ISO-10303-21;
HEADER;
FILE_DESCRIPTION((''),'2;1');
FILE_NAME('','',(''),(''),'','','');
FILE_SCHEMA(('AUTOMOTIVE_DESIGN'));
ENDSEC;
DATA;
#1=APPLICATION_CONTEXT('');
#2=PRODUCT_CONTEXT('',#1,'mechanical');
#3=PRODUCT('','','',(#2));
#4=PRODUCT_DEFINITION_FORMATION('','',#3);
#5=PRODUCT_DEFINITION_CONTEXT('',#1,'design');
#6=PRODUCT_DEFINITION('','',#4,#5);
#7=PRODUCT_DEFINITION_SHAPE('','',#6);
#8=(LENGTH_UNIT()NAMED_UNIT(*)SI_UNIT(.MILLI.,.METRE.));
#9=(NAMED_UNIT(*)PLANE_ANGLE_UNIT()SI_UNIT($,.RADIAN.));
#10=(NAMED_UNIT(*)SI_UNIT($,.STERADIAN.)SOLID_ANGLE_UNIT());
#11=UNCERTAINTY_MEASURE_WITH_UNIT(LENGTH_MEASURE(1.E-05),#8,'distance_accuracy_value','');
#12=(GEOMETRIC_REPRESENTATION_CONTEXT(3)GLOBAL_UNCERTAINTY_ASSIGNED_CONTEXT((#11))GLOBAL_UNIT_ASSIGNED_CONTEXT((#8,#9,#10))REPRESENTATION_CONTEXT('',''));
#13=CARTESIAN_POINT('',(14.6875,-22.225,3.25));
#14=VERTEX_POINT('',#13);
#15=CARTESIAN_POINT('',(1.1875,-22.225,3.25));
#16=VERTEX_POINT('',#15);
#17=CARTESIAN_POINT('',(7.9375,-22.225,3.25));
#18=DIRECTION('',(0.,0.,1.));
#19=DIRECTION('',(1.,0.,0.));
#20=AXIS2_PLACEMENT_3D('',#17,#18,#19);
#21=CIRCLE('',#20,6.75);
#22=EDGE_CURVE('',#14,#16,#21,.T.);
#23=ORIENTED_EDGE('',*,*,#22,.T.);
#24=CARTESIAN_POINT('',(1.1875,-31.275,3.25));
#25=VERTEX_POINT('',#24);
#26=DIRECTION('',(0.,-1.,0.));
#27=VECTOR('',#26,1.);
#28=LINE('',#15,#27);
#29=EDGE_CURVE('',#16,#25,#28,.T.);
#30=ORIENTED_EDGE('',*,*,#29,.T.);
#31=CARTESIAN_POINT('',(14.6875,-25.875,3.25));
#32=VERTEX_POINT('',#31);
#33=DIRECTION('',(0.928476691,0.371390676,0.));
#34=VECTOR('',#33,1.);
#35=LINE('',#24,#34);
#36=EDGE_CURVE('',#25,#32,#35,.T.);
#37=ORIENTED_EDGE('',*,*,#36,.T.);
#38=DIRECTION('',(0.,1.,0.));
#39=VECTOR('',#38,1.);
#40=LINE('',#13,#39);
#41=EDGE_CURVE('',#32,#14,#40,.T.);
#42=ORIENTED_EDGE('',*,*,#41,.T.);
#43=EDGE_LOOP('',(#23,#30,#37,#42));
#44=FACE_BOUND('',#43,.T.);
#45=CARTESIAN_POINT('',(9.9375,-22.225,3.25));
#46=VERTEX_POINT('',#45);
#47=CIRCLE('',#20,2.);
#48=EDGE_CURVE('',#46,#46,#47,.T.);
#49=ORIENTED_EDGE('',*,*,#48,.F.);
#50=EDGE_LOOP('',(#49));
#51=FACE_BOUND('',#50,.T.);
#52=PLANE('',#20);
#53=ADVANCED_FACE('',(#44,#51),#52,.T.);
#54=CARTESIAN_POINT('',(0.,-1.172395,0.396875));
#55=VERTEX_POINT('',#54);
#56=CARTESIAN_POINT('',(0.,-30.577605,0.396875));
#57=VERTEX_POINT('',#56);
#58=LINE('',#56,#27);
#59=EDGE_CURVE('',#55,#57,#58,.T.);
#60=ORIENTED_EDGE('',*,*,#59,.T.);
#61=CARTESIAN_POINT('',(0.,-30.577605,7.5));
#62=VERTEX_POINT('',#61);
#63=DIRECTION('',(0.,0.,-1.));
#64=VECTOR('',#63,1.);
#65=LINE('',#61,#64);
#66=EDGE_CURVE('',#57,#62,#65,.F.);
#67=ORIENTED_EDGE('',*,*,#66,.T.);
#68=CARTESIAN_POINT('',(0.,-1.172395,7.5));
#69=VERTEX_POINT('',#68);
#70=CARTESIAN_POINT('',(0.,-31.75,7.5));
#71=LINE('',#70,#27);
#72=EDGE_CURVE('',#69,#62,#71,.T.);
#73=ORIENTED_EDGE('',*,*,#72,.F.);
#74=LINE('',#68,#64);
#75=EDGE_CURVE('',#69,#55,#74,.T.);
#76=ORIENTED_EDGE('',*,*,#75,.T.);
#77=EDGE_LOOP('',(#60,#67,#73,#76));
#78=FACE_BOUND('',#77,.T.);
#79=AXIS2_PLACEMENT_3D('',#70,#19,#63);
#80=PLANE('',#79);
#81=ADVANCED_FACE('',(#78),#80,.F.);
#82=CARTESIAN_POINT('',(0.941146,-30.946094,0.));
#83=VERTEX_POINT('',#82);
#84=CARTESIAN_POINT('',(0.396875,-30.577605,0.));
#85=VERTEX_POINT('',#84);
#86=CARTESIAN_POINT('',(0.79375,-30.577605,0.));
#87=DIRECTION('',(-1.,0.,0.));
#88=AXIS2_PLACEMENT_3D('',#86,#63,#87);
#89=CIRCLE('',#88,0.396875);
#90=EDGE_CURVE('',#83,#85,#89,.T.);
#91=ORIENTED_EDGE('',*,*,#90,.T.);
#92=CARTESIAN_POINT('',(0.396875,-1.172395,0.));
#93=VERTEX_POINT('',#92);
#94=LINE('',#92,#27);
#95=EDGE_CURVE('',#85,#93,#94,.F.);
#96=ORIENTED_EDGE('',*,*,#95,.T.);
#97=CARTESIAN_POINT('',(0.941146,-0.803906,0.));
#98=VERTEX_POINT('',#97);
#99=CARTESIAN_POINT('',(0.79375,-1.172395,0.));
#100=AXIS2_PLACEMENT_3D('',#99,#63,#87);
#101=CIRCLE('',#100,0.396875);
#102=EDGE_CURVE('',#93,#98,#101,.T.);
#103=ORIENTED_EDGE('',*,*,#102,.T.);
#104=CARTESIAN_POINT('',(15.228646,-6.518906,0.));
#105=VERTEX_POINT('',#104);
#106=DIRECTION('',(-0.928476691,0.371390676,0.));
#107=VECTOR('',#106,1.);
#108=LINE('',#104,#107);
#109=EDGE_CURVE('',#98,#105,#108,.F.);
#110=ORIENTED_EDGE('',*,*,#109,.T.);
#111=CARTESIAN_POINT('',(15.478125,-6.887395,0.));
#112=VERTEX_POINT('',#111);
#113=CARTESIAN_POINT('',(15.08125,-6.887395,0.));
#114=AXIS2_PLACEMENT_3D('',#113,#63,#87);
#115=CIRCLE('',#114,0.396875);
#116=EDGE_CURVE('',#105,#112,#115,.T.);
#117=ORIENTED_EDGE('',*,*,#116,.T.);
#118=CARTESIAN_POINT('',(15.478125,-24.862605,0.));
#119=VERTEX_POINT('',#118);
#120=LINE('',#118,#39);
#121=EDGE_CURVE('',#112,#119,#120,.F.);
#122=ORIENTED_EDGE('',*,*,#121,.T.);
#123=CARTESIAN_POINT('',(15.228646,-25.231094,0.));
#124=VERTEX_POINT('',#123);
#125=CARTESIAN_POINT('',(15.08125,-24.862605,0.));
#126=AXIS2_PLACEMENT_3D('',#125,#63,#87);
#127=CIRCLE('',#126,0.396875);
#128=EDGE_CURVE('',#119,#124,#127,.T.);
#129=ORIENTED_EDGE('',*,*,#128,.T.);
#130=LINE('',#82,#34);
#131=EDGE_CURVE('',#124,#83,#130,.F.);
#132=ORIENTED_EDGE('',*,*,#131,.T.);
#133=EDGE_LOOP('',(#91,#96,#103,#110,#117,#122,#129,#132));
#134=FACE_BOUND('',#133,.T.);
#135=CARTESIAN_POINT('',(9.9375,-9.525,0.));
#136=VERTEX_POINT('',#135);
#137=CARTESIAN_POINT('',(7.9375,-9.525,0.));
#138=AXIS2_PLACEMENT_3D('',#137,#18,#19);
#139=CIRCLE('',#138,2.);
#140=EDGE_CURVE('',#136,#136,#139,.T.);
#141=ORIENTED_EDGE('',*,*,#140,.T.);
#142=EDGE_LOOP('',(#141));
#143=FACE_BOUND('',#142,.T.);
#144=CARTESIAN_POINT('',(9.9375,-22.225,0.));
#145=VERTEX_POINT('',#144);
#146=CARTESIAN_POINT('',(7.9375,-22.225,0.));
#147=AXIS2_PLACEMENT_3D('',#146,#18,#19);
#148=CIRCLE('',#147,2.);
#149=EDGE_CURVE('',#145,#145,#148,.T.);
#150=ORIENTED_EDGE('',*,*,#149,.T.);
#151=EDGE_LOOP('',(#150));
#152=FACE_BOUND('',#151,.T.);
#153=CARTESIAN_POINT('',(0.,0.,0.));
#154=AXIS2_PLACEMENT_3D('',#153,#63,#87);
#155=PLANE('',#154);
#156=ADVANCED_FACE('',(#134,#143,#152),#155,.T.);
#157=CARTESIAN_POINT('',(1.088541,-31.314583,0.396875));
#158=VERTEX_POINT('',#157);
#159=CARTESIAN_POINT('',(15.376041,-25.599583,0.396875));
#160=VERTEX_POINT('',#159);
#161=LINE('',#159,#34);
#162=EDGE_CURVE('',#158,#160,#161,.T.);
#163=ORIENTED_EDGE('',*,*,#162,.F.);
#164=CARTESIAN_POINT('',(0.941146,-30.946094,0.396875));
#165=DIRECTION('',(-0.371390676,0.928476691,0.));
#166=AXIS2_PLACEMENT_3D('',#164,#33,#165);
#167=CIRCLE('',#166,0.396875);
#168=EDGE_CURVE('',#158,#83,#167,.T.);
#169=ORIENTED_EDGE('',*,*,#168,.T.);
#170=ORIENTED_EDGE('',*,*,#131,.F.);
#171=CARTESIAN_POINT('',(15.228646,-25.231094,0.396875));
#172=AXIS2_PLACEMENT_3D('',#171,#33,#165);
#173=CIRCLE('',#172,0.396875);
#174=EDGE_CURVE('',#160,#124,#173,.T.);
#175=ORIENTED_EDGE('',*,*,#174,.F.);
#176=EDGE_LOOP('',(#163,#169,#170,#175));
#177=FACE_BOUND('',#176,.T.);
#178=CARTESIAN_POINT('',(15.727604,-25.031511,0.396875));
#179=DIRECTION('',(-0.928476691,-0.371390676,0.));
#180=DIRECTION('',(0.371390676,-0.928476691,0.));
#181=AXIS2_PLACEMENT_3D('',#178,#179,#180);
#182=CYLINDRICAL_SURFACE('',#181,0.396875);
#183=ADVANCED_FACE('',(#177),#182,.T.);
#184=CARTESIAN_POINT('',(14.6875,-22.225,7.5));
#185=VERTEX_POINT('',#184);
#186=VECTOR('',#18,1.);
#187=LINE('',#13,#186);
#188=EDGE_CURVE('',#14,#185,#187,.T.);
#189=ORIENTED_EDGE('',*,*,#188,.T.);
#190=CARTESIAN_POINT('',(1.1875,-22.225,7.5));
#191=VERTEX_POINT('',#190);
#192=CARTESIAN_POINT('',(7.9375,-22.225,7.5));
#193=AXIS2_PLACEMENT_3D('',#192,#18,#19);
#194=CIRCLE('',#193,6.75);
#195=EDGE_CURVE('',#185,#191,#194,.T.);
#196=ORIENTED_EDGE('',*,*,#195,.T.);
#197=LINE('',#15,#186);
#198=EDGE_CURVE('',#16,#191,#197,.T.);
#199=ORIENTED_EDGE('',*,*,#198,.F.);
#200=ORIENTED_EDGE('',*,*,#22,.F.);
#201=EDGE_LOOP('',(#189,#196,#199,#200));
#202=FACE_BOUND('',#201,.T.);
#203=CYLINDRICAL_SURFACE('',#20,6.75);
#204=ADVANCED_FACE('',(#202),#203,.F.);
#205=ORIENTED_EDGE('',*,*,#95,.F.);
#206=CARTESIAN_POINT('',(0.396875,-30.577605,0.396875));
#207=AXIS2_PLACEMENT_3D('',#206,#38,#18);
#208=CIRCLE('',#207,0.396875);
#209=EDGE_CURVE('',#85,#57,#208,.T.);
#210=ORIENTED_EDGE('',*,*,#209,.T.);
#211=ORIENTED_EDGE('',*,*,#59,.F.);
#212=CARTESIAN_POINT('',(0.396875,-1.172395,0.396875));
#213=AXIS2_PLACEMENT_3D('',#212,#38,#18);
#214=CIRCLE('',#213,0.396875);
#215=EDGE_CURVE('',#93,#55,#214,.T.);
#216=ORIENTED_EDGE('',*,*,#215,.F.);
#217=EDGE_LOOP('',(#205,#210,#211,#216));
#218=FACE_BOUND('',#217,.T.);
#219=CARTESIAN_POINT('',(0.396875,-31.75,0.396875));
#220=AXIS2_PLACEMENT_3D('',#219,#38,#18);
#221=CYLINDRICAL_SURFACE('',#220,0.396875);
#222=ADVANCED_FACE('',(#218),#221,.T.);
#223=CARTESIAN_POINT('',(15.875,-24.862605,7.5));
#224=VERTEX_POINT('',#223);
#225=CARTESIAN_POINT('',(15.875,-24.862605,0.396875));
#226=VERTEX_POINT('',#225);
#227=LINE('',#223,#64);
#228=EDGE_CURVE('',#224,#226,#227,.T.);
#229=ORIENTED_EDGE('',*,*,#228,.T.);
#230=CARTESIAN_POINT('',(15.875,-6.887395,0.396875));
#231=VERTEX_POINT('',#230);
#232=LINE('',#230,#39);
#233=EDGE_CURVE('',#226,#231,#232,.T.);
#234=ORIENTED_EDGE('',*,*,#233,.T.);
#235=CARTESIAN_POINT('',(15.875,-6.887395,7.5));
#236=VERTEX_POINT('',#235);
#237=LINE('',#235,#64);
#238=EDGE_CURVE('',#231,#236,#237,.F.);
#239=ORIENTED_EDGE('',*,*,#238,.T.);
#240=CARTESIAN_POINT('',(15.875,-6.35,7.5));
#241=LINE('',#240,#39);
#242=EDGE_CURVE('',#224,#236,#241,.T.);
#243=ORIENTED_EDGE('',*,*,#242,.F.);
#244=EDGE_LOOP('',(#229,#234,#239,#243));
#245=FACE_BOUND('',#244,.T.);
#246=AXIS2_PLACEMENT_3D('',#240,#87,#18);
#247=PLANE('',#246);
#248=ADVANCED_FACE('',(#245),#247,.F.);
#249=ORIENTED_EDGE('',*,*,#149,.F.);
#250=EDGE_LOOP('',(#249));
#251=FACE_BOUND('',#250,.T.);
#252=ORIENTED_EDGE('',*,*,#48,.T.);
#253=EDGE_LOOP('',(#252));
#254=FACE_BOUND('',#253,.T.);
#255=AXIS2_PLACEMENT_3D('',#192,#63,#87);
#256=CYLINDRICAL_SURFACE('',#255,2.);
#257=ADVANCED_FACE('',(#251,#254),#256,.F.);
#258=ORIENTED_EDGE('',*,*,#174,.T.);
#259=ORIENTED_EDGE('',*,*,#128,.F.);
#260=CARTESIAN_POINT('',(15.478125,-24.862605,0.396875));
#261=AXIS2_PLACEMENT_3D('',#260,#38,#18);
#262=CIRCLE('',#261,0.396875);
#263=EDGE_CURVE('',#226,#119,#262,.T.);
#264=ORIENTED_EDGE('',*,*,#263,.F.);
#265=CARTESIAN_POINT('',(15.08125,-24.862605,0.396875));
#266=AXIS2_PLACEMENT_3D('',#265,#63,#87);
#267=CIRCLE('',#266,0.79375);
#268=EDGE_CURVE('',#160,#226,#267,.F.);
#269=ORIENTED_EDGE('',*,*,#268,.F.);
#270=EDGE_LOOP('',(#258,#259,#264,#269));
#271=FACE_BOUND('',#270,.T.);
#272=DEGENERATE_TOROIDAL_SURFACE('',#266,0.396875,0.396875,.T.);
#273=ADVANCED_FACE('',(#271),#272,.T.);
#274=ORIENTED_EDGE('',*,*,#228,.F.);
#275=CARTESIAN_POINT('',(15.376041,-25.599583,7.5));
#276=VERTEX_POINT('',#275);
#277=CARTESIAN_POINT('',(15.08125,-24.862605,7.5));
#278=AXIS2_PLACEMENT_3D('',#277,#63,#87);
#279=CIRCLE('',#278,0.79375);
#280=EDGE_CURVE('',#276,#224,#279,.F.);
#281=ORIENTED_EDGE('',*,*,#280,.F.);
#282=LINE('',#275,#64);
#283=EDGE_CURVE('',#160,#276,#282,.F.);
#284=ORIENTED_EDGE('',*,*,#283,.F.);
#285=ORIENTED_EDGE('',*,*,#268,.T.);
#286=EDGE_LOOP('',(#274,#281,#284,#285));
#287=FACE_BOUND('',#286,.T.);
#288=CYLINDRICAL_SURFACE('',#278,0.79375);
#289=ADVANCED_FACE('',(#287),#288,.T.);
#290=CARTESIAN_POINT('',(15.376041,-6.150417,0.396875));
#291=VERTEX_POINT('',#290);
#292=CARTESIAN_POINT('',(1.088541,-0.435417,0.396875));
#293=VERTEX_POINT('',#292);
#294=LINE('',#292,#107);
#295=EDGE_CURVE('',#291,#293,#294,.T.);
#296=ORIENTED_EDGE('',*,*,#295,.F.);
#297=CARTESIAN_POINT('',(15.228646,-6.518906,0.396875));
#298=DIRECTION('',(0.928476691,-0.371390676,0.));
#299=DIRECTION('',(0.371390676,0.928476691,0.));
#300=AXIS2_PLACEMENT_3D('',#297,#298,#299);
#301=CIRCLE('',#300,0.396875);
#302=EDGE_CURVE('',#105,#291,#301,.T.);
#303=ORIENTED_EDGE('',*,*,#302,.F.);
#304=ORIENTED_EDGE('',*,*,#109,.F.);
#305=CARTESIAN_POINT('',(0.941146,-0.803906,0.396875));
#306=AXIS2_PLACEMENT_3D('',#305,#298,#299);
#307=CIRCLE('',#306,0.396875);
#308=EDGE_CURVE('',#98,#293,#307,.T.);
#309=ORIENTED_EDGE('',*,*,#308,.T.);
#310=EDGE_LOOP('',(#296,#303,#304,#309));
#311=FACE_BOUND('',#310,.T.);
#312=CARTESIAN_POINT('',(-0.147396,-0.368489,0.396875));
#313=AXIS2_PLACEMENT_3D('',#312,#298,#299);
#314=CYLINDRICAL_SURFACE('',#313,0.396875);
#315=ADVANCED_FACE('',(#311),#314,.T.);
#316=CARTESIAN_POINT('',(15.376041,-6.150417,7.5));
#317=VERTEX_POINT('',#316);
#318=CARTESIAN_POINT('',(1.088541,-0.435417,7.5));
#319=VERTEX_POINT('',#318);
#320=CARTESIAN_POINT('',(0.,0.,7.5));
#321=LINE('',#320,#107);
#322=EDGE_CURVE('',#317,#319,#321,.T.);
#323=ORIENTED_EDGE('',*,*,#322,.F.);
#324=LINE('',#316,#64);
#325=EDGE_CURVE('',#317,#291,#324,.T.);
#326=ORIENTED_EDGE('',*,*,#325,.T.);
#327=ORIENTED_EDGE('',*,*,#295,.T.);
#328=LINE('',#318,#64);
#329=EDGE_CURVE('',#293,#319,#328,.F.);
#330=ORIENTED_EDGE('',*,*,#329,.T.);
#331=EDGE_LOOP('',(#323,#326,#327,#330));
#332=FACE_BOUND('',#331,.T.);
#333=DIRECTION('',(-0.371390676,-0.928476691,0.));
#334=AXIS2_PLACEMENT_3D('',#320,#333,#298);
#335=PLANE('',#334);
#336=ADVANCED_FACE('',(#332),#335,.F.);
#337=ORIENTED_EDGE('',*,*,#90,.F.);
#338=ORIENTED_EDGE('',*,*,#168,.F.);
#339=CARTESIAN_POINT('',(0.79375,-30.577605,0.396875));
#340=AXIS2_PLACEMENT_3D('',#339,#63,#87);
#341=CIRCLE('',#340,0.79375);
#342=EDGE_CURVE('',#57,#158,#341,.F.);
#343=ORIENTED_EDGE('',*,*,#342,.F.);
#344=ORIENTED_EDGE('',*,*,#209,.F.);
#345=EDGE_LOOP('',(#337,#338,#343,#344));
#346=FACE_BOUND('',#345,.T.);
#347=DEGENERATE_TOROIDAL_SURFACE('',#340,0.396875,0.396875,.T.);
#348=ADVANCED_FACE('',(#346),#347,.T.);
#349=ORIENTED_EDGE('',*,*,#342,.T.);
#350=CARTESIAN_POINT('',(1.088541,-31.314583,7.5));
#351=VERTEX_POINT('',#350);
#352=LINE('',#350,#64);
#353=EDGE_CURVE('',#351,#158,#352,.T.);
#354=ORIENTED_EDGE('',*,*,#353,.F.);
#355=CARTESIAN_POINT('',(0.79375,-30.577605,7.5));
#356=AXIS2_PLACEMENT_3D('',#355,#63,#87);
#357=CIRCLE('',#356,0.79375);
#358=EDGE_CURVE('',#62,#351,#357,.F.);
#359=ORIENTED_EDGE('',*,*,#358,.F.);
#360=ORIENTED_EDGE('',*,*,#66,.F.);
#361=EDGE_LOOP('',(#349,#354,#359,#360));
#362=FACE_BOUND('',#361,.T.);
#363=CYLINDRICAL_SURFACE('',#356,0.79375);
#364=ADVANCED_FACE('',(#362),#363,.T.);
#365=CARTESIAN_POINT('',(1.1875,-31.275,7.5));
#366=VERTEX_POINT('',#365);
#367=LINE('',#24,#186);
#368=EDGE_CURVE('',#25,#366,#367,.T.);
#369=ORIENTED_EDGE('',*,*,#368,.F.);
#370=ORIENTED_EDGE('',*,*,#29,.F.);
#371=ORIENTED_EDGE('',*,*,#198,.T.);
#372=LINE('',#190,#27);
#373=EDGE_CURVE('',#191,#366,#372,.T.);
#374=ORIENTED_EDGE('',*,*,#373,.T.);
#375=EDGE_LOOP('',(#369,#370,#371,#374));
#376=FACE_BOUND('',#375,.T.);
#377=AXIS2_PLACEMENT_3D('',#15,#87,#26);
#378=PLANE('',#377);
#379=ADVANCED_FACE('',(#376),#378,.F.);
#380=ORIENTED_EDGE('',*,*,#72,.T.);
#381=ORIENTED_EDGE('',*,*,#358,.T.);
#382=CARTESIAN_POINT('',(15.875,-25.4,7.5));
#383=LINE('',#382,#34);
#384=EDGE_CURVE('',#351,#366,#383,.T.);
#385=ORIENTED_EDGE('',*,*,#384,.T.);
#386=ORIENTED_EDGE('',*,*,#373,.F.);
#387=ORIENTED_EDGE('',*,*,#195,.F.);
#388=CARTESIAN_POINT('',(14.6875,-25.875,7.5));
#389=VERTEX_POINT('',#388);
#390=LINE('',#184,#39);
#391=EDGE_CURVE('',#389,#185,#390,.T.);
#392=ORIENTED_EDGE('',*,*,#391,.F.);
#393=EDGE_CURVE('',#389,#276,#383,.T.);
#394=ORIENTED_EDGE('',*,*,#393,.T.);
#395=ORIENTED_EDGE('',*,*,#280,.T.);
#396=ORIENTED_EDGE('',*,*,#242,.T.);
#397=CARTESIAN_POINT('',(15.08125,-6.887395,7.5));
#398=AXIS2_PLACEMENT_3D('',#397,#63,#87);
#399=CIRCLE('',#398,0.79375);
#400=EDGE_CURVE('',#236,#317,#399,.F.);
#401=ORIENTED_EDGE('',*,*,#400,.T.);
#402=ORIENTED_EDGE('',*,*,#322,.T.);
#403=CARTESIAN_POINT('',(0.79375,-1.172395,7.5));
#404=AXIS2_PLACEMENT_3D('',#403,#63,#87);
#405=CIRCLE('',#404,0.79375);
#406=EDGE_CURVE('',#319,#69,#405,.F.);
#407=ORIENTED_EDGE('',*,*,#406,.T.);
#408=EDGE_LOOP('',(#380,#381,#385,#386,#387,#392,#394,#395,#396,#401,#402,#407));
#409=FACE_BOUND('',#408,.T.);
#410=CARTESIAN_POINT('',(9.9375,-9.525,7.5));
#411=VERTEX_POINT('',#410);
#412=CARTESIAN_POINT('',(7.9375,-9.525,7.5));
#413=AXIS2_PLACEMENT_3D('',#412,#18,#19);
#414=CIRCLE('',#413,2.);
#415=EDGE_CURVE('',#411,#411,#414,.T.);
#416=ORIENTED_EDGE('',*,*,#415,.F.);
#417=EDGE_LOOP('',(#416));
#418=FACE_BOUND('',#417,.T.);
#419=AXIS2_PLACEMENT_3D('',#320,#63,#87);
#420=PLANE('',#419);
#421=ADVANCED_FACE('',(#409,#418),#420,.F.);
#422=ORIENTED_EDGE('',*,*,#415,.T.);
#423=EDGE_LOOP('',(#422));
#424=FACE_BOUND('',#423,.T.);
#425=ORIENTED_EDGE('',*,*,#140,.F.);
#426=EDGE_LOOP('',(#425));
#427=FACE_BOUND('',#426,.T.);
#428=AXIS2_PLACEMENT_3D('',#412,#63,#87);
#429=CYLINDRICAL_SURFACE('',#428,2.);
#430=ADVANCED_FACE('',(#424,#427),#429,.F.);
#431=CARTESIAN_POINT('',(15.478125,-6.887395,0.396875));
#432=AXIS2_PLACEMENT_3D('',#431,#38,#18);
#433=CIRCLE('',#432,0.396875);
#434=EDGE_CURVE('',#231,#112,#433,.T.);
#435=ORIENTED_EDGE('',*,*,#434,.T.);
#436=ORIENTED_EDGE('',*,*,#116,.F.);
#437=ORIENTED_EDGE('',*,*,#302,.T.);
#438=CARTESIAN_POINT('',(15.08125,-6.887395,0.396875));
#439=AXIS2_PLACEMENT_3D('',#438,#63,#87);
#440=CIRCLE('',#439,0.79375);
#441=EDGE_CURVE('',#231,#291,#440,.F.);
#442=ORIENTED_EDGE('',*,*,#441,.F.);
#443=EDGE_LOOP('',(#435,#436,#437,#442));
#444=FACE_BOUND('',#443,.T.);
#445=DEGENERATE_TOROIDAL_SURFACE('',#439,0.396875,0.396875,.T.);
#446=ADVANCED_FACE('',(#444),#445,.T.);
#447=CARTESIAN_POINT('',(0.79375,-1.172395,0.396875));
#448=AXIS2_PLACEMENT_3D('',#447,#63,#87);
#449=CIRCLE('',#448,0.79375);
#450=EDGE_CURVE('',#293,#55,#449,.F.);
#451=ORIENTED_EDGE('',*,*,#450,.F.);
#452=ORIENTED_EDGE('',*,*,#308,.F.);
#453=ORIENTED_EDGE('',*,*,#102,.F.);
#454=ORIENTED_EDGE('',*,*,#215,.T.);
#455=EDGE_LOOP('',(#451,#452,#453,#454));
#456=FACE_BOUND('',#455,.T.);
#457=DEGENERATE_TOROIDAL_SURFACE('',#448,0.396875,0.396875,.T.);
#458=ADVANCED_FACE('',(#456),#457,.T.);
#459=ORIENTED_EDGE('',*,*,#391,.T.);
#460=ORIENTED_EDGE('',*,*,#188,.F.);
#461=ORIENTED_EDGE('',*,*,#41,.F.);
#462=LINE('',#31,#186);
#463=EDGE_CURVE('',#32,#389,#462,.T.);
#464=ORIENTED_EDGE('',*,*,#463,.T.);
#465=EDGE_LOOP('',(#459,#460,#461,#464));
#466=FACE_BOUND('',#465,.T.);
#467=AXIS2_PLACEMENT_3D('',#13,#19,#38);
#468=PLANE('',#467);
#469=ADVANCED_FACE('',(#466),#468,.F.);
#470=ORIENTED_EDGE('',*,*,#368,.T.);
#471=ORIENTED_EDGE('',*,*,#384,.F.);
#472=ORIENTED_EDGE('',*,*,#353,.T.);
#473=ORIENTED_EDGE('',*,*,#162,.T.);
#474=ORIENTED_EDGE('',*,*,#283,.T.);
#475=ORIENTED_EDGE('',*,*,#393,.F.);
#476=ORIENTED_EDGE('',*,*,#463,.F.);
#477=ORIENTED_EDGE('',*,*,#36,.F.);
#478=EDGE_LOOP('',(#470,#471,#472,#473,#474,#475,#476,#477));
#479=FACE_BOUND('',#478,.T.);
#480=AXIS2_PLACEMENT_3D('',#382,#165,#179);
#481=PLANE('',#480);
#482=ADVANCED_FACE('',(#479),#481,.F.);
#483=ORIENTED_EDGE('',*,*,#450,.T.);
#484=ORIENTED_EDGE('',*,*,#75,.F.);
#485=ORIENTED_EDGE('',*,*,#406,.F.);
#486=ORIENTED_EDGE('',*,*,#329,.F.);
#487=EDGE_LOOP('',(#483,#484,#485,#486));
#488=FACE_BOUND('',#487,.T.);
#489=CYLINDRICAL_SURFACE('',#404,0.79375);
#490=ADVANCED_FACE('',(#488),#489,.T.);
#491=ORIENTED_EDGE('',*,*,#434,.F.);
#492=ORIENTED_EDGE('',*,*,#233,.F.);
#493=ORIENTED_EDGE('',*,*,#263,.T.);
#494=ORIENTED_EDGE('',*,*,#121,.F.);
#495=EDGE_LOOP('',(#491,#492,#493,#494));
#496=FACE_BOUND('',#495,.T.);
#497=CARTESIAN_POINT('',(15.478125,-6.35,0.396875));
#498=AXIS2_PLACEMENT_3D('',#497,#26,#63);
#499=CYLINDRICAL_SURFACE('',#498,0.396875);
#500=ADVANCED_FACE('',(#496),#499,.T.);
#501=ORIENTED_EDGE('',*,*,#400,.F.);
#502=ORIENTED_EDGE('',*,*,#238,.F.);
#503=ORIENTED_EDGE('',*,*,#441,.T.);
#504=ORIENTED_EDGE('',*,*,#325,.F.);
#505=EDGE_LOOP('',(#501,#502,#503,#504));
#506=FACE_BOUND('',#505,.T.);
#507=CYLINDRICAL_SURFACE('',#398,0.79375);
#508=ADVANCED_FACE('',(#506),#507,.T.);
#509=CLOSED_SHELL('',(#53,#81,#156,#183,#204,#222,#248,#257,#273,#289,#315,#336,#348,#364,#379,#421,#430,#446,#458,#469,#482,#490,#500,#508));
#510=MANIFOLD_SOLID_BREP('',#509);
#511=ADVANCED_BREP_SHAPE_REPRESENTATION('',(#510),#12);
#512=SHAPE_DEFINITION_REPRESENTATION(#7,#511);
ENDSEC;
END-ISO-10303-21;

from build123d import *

# Parameters (mm, degrees)
SKETCH1_R           = 2
BOSS_EXTRUDE1_DEPTH = 7.5
FILLET1_R           = 0.79375
CUT_EXTRUDE1_DEPTH  = 4.25
FILLET2_R           = 0.396875


with BuildPart() as part:
    # Sketch1 → Boss-Extrude1 (new body)
    with BuildSketch(Plane.XY):
        Polygon((0, 0), (15.875, -6.35), (15.875, -25.4), (0, -31.75), align=None)
        with Locations((7.9375, -22.225)):
            Circle(SKETCH1_R, mode=Mode.SUBTRACT)
        with Locations((7.9375, -9.525)):
            Circle(SKETCH1_R, mode=Mode.SUBTRACT)
    extrude(amount=BOSS_EXTRUDE1_DEPTH)

    # Fillet1
    fillet1_edges = [part.edges().sort_by_distance(p)[0] for p in [
        (0, 0, 3.75),
        (15.875, -6.35, 3.75),
        (15.875, -25.4, 3.75),
        (0, -31.75, 3.75),
    ]]
    fillet(fillet1_edges, radius=FILLET1_R)

    # Sketch2 → Cut-Extrude1 (cut)
    with BuildSketch(Plane.XY.offset(7.5)):
        with BuildLine():
            Line((14.6875, -22.225), (14.6875, -25.875))
            Line((14.6875, -25.875), (1.1875, -31.275))
            Line((1.1875, -31.275), (1.1875, -22.225))
            ThreePointArc((1.1875, -22.225), (7.9375, -15.475), (14.6875, -22.225))
        make_face()
    extrude(amount=-CUT_EXTRUDE1_DEPTH, mode=Mode.SUBTRACT)

    # Fillet2
    fillet2_edges = [part.edges().sort_by_distance(p)[0] for p in [
        (8.232291349, -28.45708346, 0),
        (0, -15.875, 0),
        (8.232291349, -3.29291654, 0),
        (15.875, -15.875, 0),
        (0.348750883, -0.515116549, 0),
        (15.738528364, -6.442395796, 0),
        (15.738528364, -25.307604204, 0),
        (0.348750883, -31.234883451, 0),
    ]]
    fillet(fillet2_edges, radius=FILLET2_R)


solid = part.part
